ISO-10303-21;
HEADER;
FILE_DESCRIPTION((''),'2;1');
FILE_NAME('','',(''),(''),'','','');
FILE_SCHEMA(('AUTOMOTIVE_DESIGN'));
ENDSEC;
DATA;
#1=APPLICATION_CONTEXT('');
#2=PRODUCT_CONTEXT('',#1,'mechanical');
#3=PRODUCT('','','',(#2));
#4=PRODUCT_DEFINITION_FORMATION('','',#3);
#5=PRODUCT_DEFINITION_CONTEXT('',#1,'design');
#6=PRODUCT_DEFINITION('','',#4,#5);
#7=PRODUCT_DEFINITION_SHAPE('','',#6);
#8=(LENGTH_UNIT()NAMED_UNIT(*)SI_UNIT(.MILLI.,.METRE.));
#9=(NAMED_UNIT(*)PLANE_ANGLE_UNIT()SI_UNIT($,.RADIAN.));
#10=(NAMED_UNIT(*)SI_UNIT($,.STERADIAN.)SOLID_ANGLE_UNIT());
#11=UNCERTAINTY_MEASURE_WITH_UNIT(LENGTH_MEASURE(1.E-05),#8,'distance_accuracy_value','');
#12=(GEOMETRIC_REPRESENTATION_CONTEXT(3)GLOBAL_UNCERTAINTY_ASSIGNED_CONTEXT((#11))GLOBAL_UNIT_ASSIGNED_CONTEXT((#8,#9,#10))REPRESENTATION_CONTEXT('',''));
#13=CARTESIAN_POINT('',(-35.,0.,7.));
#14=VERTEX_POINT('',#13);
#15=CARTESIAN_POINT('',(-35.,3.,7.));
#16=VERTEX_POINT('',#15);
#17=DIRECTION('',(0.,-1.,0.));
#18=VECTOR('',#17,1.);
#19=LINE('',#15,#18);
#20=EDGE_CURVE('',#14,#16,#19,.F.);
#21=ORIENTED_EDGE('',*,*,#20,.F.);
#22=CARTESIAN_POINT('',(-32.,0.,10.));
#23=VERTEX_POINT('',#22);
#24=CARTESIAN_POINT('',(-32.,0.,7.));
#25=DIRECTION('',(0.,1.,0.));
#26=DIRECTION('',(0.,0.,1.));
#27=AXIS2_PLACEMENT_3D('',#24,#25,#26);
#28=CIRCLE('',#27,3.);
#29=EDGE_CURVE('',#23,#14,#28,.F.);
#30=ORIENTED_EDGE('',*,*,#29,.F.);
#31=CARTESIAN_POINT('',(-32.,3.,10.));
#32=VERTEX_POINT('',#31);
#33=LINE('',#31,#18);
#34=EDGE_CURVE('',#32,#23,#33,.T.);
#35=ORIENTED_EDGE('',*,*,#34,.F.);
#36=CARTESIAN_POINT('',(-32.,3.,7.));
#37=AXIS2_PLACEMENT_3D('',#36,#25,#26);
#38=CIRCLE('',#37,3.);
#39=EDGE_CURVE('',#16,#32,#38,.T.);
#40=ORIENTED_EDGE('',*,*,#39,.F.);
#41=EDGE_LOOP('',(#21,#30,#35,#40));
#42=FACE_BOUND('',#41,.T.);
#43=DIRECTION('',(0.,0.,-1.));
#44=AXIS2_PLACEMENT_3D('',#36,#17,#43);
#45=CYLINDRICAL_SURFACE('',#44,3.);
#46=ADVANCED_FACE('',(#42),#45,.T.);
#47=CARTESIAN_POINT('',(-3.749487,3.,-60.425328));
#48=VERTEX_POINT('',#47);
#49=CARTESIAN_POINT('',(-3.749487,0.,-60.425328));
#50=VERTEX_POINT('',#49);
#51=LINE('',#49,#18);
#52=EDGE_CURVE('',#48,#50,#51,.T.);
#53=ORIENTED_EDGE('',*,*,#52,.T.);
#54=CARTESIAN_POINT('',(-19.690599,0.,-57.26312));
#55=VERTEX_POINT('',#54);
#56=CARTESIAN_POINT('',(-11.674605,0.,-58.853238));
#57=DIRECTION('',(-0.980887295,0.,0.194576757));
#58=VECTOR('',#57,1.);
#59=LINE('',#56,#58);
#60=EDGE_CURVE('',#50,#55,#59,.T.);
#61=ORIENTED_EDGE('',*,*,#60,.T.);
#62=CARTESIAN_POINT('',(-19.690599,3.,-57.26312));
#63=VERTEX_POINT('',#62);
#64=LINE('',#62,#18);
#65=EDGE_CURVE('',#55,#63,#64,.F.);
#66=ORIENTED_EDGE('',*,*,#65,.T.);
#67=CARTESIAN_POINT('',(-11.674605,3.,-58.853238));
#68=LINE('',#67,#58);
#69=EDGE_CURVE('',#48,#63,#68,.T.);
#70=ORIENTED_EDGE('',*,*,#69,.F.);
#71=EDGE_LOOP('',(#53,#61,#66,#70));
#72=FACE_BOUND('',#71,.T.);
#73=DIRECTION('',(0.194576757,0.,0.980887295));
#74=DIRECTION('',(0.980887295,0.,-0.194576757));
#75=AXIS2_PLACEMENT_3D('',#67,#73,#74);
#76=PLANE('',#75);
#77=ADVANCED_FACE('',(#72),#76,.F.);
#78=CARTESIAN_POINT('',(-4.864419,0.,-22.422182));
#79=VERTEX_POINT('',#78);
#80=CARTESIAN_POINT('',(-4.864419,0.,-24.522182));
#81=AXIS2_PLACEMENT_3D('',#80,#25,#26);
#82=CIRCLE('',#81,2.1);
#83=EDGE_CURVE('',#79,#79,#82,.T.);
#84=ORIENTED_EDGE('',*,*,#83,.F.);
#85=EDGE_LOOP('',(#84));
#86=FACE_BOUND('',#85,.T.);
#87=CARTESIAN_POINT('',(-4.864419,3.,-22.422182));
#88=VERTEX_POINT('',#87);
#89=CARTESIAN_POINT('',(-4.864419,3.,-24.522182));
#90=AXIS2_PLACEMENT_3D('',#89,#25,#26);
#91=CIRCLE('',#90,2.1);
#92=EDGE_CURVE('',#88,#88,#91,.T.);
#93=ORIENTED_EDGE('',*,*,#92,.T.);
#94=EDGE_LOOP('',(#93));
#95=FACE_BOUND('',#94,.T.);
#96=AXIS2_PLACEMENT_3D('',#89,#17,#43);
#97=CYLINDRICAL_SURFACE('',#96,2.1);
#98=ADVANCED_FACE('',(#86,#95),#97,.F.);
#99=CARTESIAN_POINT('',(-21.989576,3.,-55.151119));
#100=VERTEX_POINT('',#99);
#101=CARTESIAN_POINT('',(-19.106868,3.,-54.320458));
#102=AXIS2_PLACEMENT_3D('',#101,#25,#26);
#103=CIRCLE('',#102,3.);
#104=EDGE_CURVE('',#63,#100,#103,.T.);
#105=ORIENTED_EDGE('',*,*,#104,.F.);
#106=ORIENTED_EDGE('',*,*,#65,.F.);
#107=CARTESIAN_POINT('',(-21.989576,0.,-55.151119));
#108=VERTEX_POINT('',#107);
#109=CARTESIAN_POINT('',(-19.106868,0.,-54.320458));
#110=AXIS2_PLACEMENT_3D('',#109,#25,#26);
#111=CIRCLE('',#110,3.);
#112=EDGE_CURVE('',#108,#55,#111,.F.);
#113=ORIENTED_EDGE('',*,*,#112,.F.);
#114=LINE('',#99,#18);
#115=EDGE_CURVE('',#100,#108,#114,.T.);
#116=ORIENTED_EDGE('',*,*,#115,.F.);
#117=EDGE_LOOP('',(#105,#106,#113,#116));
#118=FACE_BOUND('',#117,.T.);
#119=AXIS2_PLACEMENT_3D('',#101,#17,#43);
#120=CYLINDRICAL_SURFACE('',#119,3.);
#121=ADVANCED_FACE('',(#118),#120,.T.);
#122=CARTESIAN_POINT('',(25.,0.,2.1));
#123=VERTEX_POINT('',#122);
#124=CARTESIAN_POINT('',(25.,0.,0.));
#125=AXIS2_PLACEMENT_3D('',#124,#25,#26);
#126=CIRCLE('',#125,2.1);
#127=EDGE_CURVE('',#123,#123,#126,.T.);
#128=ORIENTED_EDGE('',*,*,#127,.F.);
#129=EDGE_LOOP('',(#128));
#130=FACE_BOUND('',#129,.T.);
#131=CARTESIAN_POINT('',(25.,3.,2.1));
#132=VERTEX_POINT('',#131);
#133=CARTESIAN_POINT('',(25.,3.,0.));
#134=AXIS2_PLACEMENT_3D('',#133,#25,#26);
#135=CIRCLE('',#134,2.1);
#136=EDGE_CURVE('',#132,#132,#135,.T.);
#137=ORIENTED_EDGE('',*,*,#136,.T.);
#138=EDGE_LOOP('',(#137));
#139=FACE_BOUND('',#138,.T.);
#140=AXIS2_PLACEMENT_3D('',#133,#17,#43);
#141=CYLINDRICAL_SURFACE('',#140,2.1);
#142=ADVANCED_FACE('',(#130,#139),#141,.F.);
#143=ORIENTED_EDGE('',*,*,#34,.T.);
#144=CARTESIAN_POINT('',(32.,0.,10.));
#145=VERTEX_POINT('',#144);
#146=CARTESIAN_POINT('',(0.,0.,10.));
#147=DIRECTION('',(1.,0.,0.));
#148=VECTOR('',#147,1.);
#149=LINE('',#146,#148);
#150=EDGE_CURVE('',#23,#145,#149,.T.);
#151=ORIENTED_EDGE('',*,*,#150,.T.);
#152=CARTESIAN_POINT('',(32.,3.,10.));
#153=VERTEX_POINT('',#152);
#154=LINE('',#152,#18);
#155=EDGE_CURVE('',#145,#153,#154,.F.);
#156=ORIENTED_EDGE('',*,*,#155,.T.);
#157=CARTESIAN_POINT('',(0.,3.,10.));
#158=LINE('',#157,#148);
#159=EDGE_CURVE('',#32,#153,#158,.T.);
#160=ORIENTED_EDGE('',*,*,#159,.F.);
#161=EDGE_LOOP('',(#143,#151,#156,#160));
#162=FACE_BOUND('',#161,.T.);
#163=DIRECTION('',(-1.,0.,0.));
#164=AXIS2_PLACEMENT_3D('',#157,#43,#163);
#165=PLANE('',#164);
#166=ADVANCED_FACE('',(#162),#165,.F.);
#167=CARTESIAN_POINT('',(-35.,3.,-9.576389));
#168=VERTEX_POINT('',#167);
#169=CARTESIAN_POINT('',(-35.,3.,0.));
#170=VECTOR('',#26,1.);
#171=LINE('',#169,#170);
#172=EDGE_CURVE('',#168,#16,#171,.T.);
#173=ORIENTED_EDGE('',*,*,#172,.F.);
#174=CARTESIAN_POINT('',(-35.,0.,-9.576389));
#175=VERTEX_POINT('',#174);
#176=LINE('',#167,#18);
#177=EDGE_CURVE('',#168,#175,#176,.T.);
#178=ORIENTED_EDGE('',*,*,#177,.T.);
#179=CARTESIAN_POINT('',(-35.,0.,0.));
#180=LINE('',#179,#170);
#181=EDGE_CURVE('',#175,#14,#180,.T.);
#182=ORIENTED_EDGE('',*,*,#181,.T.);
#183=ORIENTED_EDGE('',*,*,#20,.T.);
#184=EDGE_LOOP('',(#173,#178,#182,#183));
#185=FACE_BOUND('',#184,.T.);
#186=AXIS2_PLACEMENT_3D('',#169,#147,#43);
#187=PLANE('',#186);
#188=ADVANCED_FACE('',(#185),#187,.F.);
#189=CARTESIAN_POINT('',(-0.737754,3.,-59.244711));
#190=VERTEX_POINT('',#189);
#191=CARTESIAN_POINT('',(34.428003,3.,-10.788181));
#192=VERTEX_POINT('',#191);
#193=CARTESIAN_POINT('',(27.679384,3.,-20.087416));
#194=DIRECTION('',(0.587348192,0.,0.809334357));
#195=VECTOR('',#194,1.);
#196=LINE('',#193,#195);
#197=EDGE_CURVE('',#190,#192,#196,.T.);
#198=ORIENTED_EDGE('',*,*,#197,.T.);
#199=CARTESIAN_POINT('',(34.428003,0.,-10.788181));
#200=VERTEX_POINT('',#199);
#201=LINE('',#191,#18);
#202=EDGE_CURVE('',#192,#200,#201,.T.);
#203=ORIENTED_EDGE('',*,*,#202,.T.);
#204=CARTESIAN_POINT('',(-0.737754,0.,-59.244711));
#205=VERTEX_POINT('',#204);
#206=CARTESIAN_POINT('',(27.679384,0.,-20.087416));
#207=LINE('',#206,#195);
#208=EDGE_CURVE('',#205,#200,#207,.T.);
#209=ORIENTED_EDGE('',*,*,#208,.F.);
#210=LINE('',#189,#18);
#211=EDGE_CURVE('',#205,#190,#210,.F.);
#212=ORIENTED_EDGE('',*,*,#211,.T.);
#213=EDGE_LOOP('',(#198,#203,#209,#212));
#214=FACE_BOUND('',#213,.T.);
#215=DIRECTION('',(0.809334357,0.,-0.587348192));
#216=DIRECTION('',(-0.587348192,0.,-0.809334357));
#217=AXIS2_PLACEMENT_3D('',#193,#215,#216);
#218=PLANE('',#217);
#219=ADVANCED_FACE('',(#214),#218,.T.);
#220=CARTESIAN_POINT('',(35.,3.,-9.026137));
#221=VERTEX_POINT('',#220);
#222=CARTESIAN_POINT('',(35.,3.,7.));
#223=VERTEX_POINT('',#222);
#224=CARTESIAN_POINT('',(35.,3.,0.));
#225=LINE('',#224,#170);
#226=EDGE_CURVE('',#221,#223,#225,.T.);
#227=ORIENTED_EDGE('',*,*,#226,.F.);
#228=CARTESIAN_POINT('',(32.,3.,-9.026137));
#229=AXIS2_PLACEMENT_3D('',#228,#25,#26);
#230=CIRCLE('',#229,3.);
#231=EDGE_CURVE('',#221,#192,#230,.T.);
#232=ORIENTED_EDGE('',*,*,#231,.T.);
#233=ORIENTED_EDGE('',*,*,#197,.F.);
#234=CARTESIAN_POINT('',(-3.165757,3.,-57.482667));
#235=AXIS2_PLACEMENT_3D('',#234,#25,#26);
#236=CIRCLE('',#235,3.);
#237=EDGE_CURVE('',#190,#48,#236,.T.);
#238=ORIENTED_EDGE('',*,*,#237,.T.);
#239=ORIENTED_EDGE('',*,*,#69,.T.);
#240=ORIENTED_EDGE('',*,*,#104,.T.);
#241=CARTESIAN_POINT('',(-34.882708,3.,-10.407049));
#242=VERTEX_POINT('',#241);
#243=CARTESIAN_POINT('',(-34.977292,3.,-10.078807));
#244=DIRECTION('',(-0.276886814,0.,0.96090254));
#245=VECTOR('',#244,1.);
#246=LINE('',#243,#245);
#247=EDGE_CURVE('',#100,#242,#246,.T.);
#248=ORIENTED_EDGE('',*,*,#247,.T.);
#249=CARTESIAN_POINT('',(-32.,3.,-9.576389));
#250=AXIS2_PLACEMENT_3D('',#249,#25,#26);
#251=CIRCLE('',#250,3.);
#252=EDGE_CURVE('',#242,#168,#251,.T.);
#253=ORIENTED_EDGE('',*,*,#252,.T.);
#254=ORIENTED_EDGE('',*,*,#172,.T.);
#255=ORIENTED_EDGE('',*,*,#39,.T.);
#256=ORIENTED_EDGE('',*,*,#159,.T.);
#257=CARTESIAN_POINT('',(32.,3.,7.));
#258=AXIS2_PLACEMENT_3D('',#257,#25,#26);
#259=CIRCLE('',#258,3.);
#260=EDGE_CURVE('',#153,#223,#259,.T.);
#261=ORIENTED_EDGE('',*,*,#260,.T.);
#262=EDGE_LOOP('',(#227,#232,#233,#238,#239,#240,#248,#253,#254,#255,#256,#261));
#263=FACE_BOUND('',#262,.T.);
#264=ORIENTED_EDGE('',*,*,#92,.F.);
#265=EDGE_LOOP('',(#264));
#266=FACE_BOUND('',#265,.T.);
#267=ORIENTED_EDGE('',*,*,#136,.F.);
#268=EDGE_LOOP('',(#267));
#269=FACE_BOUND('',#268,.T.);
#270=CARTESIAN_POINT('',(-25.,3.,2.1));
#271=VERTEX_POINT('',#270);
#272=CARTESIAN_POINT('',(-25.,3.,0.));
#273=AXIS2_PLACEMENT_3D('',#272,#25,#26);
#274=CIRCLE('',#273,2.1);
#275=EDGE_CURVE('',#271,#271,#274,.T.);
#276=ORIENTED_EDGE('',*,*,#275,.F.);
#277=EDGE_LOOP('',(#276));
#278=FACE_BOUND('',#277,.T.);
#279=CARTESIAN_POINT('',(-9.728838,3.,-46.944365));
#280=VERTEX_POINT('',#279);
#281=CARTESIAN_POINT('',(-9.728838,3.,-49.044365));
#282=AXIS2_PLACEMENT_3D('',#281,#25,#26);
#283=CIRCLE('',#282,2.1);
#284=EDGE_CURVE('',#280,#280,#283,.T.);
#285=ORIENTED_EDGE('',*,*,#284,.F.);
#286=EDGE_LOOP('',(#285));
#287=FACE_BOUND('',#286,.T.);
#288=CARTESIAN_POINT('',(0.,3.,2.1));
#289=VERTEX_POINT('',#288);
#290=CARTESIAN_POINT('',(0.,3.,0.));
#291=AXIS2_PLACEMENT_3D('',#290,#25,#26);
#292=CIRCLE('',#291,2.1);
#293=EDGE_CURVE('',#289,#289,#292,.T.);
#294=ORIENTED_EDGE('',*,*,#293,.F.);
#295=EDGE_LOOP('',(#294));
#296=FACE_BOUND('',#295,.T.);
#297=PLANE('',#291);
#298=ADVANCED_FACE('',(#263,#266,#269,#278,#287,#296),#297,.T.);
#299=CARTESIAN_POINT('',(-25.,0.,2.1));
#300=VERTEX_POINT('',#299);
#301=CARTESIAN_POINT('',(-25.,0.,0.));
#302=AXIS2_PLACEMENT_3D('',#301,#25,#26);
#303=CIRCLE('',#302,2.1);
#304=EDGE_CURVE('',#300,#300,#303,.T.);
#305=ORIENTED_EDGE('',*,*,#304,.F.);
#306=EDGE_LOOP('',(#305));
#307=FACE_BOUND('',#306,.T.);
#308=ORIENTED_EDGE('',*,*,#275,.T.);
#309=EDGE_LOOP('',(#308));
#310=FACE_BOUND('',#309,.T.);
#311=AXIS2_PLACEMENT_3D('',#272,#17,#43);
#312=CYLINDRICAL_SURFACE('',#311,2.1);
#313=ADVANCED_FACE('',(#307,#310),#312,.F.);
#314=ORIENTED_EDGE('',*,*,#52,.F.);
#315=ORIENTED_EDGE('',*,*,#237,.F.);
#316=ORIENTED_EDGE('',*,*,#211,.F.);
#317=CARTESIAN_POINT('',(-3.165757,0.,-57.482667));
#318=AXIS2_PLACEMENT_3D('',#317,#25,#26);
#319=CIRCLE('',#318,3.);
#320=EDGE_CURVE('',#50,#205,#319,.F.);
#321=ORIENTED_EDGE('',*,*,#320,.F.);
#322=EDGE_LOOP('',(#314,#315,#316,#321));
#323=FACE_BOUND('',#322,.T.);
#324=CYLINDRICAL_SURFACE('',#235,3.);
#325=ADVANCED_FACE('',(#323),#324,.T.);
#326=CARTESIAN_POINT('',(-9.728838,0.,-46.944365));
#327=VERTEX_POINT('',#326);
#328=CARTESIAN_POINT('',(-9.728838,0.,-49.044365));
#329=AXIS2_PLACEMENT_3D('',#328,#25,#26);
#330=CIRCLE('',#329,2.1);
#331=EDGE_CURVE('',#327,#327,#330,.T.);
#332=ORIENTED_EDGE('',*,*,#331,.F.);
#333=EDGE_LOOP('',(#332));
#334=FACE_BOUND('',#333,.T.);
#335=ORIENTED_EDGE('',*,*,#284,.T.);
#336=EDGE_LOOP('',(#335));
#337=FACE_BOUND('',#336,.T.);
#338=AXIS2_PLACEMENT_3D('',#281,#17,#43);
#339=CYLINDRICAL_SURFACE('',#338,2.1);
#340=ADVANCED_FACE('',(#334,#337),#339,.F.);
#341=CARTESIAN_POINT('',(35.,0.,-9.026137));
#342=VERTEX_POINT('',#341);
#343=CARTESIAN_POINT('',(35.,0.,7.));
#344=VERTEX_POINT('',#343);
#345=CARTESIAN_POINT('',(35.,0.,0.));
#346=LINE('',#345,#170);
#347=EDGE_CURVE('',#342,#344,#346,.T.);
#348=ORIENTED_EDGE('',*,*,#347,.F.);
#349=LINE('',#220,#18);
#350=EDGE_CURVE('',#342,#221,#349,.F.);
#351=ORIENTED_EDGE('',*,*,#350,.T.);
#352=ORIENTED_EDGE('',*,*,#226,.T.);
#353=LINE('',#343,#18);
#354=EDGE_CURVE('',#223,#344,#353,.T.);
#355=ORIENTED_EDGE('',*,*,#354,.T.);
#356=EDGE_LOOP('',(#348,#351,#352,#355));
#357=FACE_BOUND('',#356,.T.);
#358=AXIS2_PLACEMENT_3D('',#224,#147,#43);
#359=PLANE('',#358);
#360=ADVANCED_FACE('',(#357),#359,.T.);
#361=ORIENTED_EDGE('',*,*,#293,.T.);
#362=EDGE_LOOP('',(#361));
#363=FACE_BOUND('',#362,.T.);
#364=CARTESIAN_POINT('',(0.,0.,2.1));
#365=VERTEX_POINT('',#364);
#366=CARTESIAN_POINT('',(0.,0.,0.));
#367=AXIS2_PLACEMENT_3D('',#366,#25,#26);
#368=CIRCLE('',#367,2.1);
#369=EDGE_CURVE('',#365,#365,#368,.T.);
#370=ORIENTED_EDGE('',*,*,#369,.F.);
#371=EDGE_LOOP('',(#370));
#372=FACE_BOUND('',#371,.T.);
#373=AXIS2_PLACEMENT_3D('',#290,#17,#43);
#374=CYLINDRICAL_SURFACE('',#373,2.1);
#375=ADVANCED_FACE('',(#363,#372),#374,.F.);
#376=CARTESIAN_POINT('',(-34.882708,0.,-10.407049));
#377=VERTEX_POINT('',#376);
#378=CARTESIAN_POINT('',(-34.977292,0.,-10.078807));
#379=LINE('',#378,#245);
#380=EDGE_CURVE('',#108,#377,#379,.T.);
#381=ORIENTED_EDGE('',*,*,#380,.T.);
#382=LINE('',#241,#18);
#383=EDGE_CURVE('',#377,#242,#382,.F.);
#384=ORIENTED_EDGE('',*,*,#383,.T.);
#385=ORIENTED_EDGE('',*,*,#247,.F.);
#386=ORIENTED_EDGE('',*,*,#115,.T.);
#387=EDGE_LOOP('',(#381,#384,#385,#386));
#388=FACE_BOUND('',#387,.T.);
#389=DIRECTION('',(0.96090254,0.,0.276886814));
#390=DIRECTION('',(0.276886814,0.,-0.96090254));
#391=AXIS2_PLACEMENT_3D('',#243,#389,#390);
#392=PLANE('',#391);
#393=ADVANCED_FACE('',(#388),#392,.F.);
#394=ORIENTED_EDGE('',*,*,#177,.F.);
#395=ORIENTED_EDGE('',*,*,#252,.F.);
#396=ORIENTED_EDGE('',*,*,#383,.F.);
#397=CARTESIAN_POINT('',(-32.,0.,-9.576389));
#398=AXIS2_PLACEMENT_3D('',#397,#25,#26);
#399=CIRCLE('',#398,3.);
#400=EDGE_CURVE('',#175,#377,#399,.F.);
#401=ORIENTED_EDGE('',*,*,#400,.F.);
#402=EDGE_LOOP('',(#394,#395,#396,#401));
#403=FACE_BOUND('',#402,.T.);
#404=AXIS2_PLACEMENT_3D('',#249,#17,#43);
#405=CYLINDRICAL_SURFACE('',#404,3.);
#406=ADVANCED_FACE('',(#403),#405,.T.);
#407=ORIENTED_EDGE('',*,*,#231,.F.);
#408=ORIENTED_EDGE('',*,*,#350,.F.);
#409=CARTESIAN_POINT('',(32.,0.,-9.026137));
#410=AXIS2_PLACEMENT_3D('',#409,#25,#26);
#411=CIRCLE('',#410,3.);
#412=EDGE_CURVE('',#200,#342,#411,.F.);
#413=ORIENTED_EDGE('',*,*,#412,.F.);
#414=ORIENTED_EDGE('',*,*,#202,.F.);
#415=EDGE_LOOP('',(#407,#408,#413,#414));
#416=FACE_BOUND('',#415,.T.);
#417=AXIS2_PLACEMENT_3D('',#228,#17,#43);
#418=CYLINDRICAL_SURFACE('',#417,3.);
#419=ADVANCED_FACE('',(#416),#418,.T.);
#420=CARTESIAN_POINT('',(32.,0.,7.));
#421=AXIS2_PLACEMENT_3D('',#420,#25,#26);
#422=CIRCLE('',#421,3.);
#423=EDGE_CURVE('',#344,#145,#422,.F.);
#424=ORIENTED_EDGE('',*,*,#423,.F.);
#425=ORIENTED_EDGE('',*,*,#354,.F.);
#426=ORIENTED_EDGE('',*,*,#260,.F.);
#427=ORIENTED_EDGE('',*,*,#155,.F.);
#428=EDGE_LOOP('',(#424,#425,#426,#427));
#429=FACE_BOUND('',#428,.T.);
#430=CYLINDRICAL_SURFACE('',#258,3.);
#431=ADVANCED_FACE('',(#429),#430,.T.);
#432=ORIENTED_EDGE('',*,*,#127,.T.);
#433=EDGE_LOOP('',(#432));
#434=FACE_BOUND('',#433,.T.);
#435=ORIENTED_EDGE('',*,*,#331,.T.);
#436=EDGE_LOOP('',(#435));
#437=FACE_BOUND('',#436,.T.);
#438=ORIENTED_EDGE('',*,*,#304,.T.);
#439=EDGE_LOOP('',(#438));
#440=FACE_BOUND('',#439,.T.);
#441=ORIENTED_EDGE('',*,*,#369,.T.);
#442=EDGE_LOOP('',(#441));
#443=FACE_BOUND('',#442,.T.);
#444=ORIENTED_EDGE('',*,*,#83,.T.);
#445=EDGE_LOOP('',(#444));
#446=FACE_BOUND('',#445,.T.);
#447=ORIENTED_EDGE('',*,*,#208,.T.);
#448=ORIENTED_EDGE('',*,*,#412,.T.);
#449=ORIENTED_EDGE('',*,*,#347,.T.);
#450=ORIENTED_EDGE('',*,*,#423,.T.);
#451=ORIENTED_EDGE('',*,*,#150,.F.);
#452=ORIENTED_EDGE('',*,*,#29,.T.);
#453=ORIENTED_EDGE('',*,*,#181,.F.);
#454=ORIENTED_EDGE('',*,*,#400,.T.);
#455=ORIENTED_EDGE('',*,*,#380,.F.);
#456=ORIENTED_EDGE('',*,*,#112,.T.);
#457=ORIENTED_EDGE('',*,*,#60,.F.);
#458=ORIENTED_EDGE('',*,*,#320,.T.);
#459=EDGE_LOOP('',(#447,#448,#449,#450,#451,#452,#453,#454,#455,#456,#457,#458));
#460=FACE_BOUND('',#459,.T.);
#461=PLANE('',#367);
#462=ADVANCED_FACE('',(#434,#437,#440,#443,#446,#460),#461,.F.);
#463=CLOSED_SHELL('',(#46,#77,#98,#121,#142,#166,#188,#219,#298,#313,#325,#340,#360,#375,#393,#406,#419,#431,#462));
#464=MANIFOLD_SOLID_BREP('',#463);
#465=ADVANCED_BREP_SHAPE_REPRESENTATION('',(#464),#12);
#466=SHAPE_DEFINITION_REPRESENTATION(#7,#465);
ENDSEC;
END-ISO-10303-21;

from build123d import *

# Parameters (mm, degrees)
SKETCH_1_W      = 70
SKETCH_1_H      = 20
SKETCH_1_R      = 2.1
EXTRUDE_1_DEPTH = 3
FILLET_1_R      = 3


with BuildPart() as part:
    # 草图1 → 凸台-拉伸1 (new body)
    # profile 1 of 4: a face of its own
    with BuildSketch(Plane(origin=(0, 0, 0), x_dir=(1, 0, 0), z_dir=(0, 1, 0))):
        Polygon((-1.865732489, 60.799005274), (8.211170098, 10), (35, 10), align=None)
    # profile 2 of 4: a face of its own
    with BuildSketch(Plane(origin=(0, 0, 0), x_dir=(1, 0, 0), z_dir=(0, 1, 0))):
        Rectangle(SKETCH_1_W, SKETCH_1_H)
        with Locations(Location((-25, 0, 0), (0, 0, 270))):
            Circle(SKETCH_1_R, mode=Mode.SUBTRACT)
        with Locations(Location((25, 0, 0), (0, 0, 270))):
            Circle(SKETCH_1_R, mode=Mode.SUBTRACT)
        with Locations(Location((0, 0, 0), (0, 0, 270))):
            Circle(SKETCH_1_R, mode=Mode.SUBTRACT)
    # profile 3 of 4: a face of its own
    with BuildSketch(Plane(origin=(0, 0, 0), x_dir=(1, 0, 0), z_dir=(0, 1, 0))):
        Polygon((-35, 10), (-12.178532268, 10), (-21.48347839, 56.907470127), align=None)
    # profile 4 of 4: a face of its own
    with BuildSketch(Plane(origin=(0, 0, 0), x_dir=(1, 0, 0), z_dir=(0, 1, 0))):
        Polygon((-12.178532268, 10), (8.211170098, 10), (-1.865732489, 60.799005274), (-21.48347839, 56.907470127), align=None)
        with Locations(Location((-4.864418933, 24.522182375, 0), (0, 0, 270))):
            Circle(SKETCH_1_R, mode=Mode.SUBTRACT)
        with Locations(Location((-9.728837866, 49.04436475, 0), (0, 0, 270))):
            Circle(SKETCH_1_R, mode=Mode.SUBTRACT)
    extrude(amount=EXTRUDE_1_DEPTH)

    # 圆角1
    fillet_1_edges = [part.edges().sort_by_distance(p)[0] for p in [
        (-1.865732489, 1.5, -60.799005274),
        (35, 1.5, -10),
        (35, 1.5, 10),
        (-35, 1.5, 10),
        (-35, 1.5, -10),
        (-21.48347839, 1.5, -56.907470127),
    ]]
    fillet(fillet_1_edges, radius=FILLET_1_R)


solid = part.part
